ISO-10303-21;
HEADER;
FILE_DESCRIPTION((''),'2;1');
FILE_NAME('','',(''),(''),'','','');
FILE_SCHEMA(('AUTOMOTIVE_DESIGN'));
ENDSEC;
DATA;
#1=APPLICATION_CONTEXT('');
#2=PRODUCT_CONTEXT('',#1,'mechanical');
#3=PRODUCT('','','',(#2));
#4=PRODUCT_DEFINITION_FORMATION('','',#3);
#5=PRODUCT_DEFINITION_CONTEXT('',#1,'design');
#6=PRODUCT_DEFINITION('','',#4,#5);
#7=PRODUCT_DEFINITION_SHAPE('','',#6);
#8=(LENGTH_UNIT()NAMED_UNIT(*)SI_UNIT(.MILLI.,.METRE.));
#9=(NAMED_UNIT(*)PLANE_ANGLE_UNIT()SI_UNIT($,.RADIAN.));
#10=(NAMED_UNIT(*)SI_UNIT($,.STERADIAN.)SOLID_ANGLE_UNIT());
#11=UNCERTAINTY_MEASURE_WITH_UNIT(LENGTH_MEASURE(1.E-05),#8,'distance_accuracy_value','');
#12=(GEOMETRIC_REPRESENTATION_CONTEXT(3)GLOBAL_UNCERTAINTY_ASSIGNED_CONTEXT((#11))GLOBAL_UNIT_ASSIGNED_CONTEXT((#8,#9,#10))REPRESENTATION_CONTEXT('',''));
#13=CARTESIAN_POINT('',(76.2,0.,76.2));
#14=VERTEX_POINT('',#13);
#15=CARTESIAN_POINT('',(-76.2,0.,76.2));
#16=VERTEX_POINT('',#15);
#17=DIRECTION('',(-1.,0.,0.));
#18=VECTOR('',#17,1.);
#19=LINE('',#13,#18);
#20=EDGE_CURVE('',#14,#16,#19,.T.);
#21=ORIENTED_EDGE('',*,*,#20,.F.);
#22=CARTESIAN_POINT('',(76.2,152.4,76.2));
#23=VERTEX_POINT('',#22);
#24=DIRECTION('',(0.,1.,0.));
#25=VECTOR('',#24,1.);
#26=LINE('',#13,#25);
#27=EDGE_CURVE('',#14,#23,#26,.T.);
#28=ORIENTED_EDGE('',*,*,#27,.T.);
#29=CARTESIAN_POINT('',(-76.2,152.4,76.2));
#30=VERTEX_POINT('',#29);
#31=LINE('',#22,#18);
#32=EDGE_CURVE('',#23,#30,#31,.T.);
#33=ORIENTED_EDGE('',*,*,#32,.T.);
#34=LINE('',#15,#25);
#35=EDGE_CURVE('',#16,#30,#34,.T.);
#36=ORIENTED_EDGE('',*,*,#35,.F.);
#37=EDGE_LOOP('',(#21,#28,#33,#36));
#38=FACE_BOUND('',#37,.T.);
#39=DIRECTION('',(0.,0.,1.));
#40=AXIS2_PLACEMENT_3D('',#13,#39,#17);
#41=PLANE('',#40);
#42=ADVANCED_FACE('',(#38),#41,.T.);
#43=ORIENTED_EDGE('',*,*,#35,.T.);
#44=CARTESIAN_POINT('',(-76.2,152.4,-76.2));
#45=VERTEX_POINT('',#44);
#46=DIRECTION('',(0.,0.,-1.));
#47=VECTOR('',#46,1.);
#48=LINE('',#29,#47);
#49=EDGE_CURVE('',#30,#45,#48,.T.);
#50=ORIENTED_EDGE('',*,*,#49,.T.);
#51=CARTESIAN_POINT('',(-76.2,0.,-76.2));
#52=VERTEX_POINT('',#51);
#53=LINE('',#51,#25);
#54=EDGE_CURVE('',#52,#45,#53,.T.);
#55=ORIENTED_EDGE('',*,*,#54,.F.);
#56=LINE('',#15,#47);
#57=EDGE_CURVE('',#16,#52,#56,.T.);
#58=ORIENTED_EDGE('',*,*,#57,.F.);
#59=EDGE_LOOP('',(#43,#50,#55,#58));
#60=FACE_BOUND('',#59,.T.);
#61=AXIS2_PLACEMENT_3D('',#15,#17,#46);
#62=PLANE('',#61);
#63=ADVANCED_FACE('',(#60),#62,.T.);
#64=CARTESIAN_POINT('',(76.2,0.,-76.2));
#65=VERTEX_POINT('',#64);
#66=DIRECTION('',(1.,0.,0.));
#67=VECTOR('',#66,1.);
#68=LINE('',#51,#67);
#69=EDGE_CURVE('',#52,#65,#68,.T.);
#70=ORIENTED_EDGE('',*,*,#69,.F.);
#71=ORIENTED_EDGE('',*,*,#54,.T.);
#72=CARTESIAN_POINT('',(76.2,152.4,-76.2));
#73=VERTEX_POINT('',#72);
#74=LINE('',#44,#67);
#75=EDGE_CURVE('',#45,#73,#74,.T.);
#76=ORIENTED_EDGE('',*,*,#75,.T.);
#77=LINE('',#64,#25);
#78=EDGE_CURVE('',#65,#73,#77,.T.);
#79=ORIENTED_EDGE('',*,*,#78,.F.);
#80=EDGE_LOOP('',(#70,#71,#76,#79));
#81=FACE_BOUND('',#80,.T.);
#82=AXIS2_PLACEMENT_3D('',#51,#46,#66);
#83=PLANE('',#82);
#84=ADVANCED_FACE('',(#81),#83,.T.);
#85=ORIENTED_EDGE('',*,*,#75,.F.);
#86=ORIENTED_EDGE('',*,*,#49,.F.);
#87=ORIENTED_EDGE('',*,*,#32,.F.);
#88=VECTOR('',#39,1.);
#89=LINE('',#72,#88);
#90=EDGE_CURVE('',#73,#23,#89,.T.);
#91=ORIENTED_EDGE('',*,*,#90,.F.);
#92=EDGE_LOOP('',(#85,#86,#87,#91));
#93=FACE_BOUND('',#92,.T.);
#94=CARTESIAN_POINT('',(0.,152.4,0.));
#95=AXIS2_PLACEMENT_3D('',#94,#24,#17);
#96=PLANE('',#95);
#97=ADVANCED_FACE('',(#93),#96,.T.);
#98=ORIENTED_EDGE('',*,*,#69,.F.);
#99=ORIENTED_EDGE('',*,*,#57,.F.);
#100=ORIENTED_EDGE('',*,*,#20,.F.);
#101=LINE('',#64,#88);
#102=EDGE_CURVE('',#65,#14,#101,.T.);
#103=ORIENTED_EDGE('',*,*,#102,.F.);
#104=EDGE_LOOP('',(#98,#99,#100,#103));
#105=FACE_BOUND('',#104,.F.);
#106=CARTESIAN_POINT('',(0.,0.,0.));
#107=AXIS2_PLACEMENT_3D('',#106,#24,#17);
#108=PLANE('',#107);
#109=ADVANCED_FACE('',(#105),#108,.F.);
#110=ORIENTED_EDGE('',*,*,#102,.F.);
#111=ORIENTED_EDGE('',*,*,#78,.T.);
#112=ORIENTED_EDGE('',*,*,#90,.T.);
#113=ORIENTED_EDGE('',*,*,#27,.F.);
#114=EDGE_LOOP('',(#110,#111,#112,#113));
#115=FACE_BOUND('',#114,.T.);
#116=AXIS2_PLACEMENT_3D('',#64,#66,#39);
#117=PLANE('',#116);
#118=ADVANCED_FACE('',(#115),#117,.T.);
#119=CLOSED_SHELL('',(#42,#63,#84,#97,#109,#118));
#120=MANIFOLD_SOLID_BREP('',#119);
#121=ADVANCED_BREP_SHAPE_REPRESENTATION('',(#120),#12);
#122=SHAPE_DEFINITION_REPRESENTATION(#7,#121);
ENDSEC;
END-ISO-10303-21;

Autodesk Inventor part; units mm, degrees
ref_plane "YZ Plane" through (0, 0, 0) normal (1, 0, 0) x (0, 1, 0)
ref_plane "XZ Plane" through (0, 0, 0) normal (0, 1, 0) x (-1, 0, 0)
ref_plane "XY Plane" through (0, 0, 0) normal (0, 0, 1) x (1, 0, 0)
sketch "Sketch1" plane through (0, 0, 0) normal (0, 1, 0) x (-1, 0, 0)
  line L0 (-76.2, 76.2) -> (76.2, 76.2)
  line L1 (76.2, 76.2) -> (76.2, -76.2)
  line L2 (76.2, -76.2) -> (-76.2, -76.2)
  line L3 (-76.2, -76.2) -> (-76.2, 76.2)
  line L4 (-76.2, 76.2) -> (76.2, -76.2) construction
  line L5 (76.2, 76.2) -> (-76.2, -76.2) construction
  point P0 (0, 0)
  dimension "d0" = 152.4
  dimension "d1" = 152.4
extrude "Extrusion1" add sketch "Sketch1" along normal blind 152.4
properties part number "BX11111"
